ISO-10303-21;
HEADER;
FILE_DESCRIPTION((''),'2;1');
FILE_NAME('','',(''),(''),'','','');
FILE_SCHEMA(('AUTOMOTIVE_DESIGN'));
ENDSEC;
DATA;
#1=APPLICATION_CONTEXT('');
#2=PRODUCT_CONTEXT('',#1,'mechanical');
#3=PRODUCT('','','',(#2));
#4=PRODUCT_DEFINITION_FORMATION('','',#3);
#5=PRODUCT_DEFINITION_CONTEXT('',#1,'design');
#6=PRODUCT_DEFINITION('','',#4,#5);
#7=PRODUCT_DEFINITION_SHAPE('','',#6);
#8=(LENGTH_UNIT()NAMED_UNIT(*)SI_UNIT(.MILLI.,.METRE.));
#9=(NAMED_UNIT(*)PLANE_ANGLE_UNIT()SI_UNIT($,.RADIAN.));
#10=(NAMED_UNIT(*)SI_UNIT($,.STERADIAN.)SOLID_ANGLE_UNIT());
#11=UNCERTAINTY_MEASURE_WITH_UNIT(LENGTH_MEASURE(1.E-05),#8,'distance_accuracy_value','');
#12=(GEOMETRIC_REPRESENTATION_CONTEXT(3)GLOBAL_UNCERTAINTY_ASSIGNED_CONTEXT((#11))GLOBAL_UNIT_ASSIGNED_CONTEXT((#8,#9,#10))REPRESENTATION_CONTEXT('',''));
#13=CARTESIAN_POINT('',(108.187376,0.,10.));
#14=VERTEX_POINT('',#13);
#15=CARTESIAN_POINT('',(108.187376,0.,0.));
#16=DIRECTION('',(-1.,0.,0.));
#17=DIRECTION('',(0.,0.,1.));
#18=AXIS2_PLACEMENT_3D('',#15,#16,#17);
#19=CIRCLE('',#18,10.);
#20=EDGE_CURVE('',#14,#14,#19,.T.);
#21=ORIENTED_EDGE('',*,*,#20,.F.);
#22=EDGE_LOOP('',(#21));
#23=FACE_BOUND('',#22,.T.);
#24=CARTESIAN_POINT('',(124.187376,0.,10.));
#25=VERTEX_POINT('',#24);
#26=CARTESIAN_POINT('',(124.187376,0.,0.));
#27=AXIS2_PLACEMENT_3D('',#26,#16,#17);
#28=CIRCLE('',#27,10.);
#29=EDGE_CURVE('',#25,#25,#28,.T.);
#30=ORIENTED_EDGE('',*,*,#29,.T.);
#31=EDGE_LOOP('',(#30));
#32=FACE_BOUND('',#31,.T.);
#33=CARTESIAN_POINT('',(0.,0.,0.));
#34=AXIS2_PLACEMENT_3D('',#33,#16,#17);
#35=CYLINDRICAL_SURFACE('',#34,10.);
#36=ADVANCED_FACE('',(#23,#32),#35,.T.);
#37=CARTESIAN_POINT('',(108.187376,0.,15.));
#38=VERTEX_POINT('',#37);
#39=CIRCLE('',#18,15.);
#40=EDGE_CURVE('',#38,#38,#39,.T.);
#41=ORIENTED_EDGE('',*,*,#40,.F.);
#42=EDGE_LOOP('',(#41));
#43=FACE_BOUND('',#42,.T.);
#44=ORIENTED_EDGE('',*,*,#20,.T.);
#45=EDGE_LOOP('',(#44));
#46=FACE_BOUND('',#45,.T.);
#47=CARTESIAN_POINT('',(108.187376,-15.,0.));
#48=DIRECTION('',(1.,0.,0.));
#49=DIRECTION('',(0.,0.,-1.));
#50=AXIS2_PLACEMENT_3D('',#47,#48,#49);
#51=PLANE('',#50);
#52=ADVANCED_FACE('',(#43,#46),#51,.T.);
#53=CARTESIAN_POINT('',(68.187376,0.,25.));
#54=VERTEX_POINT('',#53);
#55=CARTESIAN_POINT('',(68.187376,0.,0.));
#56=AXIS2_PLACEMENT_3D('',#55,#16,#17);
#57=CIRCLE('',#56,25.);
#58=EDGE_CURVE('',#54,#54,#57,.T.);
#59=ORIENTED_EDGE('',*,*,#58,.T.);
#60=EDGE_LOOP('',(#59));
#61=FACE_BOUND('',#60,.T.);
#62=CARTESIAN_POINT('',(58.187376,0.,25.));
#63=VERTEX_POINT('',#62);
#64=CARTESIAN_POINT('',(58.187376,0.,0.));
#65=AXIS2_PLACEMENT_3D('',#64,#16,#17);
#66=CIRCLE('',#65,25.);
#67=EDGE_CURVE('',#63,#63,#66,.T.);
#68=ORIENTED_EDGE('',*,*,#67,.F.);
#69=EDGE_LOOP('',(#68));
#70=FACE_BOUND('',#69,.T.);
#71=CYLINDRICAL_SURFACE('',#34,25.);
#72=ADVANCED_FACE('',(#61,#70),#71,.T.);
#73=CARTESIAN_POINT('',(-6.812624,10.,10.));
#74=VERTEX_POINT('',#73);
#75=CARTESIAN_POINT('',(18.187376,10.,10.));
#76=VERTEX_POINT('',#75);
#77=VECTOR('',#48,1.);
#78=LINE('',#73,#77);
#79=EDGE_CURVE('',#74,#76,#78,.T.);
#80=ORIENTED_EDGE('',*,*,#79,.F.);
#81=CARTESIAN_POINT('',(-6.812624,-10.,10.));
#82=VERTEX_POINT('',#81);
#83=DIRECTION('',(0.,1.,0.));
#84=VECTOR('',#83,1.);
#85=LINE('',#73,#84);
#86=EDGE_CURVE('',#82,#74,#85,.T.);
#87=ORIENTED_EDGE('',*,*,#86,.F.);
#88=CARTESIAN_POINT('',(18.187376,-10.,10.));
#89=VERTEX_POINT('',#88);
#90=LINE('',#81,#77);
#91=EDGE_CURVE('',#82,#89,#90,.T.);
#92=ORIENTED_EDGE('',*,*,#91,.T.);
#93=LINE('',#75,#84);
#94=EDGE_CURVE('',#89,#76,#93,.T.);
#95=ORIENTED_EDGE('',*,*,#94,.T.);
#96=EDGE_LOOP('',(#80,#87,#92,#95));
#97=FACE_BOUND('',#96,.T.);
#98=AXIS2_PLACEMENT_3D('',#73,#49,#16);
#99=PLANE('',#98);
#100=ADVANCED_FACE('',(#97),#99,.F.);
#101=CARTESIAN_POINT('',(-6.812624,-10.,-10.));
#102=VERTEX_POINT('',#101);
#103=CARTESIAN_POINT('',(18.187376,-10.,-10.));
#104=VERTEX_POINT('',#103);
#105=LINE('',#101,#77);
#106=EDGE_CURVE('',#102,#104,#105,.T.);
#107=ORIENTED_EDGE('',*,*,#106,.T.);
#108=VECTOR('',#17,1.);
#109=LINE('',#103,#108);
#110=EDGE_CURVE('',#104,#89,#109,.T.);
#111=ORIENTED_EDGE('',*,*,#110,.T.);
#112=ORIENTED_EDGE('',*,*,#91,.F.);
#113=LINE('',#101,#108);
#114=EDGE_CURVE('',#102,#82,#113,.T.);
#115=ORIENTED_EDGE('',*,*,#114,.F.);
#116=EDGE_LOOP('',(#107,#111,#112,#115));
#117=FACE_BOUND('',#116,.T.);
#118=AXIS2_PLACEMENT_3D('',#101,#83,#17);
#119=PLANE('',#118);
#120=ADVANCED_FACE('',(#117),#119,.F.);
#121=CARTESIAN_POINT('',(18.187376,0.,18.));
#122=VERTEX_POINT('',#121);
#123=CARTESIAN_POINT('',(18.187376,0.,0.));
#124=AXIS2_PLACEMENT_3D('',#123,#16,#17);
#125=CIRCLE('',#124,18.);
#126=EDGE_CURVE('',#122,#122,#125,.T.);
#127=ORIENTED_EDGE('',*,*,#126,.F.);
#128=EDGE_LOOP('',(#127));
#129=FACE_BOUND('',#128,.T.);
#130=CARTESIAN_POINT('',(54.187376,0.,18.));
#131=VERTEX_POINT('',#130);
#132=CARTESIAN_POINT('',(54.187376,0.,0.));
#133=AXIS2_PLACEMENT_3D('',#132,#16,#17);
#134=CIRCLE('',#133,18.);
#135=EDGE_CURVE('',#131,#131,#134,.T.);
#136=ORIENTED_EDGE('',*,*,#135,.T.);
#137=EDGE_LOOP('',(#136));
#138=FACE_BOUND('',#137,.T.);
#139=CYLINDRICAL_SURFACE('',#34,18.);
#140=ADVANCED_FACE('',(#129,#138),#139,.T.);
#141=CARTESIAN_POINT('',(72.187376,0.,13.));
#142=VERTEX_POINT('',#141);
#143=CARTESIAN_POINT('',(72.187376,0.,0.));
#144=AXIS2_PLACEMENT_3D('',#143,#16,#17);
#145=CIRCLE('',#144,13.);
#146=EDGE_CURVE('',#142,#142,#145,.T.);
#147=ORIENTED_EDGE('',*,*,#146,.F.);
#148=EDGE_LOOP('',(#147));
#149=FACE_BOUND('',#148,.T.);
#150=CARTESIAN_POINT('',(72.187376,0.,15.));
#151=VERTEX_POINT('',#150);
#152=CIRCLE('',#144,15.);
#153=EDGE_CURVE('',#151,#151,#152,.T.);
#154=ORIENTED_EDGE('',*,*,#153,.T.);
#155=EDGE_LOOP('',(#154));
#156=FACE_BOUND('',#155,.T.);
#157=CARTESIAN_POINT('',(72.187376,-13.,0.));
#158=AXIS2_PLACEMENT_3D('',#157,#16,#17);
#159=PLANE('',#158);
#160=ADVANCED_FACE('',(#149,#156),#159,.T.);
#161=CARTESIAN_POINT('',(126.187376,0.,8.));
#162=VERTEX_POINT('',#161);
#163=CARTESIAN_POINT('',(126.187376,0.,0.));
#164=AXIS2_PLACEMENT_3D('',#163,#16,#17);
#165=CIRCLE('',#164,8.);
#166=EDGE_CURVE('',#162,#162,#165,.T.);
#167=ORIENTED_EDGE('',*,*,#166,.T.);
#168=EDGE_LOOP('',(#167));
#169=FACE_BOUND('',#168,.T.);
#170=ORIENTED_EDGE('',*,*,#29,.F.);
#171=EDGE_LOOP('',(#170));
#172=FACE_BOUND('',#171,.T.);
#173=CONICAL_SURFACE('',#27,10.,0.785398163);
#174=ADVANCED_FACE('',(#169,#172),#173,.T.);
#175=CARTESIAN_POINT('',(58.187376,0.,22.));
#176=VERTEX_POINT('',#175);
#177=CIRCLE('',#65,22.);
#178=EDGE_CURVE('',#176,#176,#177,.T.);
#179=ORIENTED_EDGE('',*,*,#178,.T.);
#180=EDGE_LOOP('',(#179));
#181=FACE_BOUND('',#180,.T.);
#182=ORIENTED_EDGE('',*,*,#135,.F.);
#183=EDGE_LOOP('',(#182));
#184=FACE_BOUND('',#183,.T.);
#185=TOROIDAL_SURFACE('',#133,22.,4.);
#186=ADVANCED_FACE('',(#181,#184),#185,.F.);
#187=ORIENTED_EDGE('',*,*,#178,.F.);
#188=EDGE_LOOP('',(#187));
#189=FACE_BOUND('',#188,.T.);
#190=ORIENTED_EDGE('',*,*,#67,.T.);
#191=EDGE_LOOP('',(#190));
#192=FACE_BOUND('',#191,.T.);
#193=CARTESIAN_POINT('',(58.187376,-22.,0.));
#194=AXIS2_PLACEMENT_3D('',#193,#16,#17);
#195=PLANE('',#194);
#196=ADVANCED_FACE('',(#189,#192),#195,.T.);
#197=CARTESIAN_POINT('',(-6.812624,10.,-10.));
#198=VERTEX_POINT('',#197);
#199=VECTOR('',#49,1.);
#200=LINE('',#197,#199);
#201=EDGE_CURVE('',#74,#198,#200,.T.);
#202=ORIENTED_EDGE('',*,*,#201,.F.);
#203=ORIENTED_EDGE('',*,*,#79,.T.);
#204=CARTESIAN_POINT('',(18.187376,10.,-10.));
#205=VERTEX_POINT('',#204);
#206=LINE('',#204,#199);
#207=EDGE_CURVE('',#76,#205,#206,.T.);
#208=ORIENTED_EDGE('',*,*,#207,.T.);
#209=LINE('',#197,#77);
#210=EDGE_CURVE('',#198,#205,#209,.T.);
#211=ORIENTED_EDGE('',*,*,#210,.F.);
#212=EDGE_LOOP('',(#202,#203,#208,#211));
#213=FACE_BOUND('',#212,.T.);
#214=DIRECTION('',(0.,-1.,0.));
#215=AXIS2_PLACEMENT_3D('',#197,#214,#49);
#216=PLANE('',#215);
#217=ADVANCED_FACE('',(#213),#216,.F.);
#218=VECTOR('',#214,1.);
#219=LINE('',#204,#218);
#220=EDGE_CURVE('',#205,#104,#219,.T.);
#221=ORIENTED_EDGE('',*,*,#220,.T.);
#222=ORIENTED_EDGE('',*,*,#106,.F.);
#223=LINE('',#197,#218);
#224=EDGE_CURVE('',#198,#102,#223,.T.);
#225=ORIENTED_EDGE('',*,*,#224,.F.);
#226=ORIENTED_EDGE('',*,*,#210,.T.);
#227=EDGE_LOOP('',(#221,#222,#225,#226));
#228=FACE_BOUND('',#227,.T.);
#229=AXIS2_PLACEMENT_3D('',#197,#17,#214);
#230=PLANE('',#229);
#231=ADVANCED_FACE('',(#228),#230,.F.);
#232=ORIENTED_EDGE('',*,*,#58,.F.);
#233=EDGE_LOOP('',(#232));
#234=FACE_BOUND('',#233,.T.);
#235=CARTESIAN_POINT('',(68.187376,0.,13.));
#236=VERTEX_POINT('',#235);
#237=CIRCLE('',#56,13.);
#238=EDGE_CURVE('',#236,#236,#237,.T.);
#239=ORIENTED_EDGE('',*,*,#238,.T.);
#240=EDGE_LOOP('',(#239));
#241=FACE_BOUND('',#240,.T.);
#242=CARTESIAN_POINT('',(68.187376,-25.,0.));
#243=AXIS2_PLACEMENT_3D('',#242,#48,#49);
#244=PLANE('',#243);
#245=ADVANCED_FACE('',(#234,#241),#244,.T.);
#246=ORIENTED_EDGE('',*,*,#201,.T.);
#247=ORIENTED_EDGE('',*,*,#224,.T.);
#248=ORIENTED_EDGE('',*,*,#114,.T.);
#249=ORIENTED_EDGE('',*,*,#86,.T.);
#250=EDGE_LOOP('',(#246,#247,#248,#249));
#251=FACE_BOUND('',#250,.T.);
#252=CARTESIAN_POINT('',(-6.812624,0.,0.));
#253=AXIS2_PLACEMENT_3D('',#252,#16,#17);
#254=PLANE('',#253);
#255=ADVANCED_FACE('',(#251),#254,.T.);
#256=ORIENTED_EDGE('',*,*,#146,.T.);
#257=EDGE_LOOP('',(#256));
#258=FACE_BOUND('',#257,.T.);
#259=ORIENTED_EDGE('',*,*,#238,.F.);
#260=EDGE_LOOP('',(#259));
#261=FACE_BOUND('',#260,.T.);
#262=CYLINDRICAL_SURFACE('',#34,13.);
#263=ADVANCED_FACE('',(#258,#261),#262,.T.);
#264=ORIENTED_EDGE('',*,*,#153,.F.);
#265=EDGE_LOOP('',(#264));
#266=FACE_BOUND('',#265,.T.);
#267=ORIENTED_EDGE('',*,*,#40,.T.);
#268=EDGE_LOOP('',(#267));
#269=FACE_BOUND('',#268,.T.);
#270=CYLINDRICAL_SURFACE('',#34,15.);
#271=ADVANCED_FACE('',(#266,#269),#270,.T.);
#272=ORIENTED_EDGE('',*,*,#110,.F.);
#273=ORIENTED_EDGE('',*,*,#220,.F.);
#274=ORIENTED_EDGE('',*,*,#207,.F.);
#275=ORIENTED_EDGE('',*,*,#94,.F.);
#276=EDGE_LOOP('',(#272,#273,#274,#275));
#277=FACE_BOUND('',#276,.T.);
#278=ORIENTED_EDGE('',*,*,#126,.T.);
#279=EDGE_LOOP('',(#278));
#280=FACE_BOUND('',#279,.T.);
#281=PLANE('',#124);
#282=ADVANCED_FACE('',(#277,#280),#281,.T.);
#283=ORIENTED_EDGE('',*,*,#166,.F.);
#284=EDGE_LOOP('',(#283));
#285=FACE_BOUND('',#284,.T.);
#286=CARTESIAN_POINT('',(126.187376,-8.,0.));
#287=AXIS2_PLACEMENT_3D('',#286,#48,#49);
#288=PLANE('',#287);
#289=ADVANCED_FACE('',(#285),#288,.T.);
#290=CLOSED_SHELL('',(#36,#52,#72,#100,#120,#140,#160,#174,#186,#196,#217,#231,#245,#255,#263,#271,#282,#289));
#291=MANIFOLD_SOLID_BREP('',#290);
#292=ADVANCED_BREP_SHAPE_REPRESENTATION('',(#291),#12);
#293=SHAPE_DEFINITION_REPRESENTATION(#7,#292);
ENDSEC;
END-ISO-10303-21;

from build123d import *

# Parameters (mm, degrees)
SKIZZE2_W                       = 20
SKIZZE2_H                       = 20
AUFSATZ_LINEAR_AUSTRAGEN1_DEPTH = 25


with BuildPart() as part:
    # Skizze1 → Rotation1 (revolve)
    with BuildSketch(Plane.XY, mode=Mode.PRIVATE) as rotation1_sk:
        with BuildLine():
            Line((18.187375951, 0), (18.187375951, -18))
            Line((18.187375951, -18), (54.187375951, -18))
            ThreePointArc((54.187375951, -18), (57.015803076, -19.171572875), (58.187375951, -22))
            Line((58.187375951, -22), (58.187375951, -25))
            Line((58.187375951, -25), (68.187375951, -25))
            Line((68.187375951, -25), (68.187375951, -13))
            Line((68.187375951, -13), (72.187375951, -13))
            Line((72.187375951, -13), (72.187375951, -15))
            Line((72.187375951, -15), (108.187375951, -15))
            Line((108.187375951, -15), (108.187375951, -10))
            Line((108.187375951, -10), (124.187375951, -10))
            Line((124.187375951, -10), (126.187375951, -8))
            Line((126.187375951, -8), (126.187375951, 0))
            Line((126.187375951, 0), (18.187375951, 0))
        make_face()
    revolve(rotation1_sk.sketch.rotate(Axis((0, 0, 0), (1, 0, 0)), 270), axis=Axis((0, 0, 0), (1, 0, 0)))

    # Skizze2 → Aufsatz-Linear austragen1 (add)
    with BuildSketch(Plane.ZY.offset(-18.187375951)):
        Rectangle(SKIZZE2_W, SKIZZE2_H)
    extrude(amount=AUFSATZ_LINEAR_AUSTRAGEN1_DEPTH)


solid = part.part
